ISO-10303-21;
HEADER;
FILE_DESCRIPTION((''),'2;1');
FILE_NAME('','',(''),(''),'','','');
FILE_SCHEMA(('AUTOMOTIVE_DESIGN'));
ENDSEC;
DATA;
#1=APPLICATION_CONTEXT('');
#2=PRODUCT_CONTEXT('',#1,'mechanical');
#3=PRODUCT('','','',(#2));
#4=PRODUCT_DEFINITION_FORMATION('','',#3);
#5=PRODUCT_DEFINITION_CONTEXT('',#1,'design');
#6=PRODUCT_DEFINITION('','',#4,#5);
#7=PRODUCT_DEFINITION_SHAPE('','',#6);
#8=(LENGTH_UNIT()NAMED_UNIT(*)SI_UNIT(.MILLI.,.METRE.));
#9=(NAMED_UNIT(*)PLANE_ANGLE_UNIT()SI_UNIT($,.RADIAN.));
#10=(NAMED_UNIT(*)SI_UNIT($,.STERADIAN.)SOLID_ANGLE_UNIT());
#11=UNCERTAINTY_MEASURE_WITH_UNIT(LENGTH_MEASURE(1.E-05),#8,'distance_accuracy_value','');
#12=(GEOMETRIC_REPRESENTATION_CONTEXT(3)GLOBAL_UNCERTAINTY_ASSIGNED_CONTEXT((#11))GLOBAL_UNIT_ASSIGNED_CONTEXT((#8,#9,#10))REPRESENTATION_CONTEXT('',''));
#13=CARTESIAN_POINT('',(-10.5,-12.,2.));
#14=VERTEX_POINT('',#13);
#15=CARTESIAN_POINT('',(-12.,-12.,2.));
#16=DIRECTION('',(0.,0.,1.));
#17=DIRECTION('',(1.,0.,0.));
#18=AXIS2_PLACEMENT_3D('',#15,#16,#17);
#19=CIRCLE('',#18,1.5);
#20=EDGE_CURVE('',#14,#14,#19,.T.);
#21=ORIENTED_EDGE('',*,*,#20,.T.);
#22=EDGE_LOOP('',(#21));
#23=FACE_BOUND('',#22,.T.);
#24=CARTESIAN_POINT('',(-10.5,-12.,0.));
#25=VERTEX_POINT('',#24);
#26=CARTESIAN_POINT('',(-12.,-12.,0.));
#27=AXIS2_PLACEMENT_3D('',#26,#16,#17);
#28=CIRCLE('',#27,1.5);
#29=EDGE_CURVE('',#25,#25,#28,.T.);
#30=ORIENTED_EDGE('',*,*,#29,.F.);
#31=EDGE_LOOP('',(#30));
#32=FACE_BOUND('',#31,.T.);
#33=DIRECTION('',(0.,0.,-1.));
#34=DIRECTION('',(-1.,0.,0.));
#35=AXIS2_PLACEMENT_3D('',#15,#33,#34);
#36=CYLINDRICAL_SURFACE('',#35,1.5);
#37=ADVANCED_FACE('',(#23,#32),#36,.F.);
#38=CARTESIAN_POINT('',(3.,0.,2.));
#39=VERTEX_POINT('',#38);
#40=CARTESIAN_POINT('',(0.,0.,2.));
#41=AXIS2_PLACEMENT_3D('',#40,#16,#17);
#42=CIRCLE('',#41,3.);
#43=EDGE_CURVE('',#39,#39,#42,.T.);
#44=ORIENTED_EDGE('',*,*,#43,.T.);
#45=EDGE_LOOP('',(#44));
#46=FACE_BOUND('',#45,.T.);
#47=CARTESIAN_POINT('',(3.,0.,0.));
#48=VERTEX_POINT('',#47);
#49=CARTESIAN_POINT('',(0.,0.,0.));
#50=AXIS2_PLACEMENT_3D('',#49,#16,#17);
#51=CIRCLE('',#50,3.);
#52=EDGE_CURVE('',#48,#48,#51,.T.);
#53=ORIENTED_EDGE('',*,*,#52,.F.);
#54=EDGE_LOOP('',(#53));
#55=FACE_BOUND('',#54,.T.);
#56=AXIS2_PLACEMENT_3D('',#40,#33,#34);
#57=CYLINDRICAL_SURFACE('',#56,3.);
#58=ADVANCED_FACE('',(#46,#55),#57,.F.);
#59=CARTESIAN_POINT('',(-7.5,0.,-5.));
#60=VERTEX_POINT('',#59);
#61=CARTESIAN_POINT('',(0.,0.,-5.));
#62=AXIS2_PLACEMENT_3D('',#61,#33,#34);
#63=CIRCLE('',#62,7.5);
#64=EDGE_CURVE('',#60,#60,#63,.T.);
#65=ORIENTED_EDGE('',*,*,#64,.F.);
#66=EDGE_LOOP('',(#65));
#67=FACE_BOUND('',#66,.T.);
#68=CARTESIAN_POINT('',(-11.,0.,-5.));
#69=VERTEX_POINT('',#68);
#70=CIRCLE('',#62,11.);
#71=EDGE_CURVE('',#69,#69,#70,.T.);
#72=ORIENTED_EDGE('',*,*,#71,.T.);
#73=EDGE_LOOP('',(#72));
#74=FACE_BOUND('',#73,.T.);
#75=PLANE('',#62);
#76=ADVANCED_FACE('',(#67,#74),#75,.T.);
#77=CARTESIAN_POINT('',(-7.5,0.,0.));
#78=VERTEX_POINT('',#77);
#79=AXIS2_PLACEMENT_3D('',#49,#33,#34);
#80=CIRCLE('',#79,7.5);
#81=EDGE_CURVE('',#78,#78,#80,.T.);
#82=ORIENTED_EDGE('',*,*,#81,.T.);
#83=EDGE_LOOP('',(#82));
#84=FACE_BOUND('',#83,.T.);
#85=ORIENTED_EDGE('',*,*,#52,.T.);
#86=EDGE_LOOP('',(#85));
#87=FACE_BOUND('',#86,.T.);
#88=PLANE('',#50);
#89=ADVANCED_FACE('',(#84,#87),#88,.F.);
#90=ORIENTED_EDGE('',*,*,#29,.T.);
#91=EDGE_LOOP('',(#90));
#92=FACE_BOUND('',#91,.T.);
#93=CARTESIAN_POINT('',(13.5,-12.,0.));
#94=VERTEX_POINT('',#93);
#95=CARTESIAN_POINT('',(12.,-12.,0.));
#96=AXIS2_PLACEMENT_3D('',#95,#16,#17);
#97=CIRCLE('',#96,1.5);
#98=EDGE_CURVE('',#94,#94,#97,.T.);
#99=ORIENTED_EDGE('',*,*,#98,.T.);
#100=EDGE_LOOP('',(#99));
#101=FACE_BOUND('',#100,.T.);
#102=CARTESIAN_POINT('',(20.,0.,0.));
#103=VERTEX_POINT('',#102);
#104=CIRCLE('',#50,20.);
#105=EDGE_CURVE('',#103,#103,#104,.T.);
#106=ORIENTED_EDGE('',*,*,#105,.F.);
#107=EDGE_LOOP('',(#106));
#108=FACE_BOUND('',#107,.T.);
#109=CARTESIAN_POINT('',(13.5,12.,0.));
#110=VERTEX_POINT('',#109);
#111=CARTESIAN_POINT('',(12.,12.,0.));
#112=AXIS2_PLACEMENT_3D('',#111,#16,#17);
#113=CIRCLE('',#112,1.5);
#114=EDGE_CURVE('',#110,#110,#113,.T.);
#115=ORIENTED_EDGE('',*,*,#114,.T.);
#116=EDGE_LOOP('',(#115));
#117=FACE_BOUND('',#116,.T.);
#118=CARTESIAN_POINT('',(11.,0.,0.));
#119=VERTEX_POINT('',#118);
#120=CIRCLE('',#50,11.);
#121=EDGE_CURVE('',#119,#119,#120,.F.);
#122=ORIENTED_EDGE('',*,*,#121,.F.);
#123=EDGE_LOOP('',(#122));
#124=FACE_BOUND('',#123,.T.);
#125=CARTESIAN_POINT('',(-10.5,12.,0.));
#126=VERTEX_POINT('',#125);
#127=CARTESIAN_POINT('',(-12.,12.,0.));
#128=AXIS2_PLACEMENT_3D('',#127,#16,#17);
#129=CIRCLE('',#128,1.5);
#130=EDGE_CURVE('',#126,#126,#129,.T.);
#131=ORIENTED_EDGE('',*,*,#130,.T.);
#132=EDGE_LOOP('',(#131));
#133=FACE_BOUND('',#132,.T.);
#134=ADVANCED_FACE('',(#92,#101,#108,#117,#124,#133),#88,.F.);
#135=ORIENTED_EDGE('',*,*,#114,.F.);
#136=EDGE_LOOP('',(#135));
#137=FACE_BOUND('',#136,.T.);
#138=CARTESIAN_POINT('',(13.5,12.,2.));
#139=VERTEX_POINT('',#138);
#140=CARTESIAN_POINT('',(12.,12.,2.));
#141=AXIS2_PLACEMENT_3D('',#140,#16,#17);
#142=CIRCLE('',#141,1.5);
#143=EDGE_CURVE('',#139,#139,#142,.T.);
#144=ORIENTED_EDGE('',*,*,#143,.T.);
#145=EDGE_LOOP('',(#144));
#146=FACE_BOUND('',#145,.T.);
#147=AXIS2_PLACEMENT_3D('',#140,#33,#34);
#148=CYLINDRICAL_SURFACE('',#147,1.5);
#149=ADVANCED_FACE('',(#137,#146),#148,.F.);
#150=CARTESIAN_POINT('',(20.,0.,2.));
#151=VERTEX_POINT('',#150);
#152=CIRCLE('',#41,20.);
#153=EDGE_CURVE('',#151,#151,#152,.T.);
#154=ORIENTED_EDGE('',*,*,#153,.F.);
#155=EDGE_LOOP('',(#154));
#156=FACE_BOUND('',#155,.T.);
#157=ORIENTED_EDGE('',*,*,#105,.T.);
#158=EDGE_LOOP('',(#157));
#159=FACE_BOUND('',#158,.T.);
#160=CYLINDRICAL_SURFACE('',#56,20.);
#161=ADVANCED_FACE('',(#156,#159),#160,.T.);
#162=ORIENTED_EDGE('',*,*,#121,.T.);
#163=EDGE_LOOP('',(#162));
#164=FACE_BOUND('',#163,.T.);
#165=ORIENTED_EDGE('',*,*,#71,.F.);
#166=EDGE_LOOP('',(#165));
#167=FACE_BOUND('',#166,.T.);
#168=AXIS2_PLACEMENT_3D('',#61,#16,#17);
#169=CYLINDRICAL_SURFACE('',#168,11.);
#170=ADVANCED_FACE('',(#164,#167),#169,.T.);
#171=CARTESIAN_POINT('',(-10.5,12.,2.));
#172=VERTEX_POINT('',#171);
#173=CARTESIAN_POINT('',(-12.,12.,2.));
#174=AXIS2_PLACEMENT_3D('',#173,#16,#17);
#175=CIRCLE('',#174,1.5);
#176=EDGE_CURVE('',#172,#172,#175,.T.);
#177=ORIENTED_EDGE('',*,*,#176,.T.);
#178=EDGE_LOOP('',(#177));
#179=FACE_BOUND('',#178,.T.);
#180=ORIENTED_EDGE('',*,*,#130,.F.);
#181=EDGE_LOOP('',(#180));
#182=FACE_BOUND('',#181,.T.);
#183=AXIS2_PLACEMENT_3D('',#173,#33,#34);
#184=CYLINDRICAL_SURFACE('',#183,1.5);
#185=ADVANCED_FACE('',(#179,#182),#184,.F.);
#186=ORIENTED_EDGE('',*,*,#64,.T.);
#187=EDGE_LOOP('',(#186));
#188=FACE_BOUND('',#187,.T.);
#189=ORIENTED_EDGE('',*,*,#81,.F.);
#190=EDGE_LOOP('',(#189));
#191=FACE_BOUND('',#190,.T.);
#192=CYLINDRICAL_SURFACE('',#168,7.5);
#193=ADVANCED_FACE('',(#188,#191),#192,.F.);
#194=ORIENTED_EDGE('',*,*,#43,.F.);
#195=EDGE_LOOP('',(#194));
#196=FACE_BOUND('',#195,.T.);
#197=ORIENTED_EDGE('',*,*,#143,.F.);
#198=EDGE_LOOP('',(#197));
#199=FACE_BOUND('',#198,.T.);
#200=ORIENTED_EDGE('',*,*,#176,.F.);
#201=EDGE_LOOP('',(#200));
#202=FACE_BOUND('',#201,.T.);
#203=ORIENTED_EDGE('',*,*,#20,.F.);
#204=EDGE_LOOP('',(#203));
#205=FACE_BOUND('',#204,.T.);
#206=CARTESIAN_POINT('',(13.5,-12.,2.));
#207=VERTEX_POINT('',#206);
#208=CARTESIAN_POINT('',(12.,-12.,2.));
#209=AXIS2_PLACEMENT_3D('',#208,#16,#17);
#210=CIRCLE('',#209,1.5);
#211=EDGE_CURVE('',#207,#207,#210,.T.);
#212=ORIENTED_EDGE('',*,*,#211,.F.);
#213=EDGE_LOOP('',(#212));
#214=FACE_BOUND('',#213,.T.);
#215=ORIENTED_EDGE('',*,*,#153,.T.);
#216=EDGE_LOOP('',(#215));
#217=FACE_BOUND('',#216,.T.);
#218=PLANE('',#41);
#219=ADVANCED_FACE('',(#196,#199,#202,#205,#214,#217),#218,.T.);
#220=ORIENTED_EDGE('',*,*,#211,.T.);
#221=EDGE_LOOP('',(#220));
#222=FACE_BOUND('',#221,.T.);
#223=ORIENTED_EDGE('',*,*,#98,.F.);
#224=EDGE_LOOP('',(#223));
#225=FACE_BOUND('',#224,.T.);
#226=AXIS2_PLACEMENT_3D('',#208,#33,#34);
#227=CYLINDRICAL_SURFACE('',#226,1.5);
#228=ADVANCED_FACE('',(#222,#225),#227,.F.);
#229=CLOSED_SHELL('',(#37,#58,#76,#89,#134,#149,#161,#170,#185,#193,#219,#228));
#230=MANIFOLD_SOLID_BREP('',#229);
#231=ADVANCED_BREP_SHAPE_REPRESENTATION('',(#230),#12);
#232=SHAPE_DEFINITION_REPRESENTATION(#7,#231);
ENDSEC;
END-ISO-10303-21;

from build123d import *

# Parameters (mm, degrees)
SKETCH_1_R      = 20
SKETCH_1_R_2    = 1.5
SKETCH_1_R_3    = 3
EXTRUDE_1_DEPTH = 2
SKETCH_3_R      = 11
SKETCH_3_R_2    = 7.5
EXTRUDE_2_DEPTH = 5


with BuildPart() as part:
    # 草图1 → 凸台-拉伸1 (new body)
    with BuildSketch(Plane.XY):
        Circle(SKETCH_1_R)
        with Locations((-12, 12)):
            Circle(SKETCH_1_R_2, mode=Mode.SUBTRACT)
        with Locations((12, 12)):
            Circle(SKETCH_1_R_2, mode=Mode.SUBTRACT)
        with Locations((12, -12)):
            Circle(SKETCH_1_R_2, mode=Mode.SUBTRACT)
        with Locations((-12, -12)):
            Circle(SKETCH_1_R_2, mode=Mode.SUBTRACT)
        Circle(SKETCH_1_R_3, mode=Mode.SUBTRACT)
    extrude(amount=EXTRUDE_1_DEPTH)

    # 草图3 → 凸台-拉伸2 (add)
    with BuildSketch(Plane(origin=(0, 0, 0), x_dir=(-1, 0, 0), z_dir=(0, 0, -1))):
        with Locations(Location((0, 0, 0), (0, 0, 180))):
            Circle(SKETCH_3_R)
        Circle(SKETCH_3_R_2, mode=Mode.SUBTRACT)
    extrude(amount=EXTRUDE_2_DEPTH)


solid = part.part
